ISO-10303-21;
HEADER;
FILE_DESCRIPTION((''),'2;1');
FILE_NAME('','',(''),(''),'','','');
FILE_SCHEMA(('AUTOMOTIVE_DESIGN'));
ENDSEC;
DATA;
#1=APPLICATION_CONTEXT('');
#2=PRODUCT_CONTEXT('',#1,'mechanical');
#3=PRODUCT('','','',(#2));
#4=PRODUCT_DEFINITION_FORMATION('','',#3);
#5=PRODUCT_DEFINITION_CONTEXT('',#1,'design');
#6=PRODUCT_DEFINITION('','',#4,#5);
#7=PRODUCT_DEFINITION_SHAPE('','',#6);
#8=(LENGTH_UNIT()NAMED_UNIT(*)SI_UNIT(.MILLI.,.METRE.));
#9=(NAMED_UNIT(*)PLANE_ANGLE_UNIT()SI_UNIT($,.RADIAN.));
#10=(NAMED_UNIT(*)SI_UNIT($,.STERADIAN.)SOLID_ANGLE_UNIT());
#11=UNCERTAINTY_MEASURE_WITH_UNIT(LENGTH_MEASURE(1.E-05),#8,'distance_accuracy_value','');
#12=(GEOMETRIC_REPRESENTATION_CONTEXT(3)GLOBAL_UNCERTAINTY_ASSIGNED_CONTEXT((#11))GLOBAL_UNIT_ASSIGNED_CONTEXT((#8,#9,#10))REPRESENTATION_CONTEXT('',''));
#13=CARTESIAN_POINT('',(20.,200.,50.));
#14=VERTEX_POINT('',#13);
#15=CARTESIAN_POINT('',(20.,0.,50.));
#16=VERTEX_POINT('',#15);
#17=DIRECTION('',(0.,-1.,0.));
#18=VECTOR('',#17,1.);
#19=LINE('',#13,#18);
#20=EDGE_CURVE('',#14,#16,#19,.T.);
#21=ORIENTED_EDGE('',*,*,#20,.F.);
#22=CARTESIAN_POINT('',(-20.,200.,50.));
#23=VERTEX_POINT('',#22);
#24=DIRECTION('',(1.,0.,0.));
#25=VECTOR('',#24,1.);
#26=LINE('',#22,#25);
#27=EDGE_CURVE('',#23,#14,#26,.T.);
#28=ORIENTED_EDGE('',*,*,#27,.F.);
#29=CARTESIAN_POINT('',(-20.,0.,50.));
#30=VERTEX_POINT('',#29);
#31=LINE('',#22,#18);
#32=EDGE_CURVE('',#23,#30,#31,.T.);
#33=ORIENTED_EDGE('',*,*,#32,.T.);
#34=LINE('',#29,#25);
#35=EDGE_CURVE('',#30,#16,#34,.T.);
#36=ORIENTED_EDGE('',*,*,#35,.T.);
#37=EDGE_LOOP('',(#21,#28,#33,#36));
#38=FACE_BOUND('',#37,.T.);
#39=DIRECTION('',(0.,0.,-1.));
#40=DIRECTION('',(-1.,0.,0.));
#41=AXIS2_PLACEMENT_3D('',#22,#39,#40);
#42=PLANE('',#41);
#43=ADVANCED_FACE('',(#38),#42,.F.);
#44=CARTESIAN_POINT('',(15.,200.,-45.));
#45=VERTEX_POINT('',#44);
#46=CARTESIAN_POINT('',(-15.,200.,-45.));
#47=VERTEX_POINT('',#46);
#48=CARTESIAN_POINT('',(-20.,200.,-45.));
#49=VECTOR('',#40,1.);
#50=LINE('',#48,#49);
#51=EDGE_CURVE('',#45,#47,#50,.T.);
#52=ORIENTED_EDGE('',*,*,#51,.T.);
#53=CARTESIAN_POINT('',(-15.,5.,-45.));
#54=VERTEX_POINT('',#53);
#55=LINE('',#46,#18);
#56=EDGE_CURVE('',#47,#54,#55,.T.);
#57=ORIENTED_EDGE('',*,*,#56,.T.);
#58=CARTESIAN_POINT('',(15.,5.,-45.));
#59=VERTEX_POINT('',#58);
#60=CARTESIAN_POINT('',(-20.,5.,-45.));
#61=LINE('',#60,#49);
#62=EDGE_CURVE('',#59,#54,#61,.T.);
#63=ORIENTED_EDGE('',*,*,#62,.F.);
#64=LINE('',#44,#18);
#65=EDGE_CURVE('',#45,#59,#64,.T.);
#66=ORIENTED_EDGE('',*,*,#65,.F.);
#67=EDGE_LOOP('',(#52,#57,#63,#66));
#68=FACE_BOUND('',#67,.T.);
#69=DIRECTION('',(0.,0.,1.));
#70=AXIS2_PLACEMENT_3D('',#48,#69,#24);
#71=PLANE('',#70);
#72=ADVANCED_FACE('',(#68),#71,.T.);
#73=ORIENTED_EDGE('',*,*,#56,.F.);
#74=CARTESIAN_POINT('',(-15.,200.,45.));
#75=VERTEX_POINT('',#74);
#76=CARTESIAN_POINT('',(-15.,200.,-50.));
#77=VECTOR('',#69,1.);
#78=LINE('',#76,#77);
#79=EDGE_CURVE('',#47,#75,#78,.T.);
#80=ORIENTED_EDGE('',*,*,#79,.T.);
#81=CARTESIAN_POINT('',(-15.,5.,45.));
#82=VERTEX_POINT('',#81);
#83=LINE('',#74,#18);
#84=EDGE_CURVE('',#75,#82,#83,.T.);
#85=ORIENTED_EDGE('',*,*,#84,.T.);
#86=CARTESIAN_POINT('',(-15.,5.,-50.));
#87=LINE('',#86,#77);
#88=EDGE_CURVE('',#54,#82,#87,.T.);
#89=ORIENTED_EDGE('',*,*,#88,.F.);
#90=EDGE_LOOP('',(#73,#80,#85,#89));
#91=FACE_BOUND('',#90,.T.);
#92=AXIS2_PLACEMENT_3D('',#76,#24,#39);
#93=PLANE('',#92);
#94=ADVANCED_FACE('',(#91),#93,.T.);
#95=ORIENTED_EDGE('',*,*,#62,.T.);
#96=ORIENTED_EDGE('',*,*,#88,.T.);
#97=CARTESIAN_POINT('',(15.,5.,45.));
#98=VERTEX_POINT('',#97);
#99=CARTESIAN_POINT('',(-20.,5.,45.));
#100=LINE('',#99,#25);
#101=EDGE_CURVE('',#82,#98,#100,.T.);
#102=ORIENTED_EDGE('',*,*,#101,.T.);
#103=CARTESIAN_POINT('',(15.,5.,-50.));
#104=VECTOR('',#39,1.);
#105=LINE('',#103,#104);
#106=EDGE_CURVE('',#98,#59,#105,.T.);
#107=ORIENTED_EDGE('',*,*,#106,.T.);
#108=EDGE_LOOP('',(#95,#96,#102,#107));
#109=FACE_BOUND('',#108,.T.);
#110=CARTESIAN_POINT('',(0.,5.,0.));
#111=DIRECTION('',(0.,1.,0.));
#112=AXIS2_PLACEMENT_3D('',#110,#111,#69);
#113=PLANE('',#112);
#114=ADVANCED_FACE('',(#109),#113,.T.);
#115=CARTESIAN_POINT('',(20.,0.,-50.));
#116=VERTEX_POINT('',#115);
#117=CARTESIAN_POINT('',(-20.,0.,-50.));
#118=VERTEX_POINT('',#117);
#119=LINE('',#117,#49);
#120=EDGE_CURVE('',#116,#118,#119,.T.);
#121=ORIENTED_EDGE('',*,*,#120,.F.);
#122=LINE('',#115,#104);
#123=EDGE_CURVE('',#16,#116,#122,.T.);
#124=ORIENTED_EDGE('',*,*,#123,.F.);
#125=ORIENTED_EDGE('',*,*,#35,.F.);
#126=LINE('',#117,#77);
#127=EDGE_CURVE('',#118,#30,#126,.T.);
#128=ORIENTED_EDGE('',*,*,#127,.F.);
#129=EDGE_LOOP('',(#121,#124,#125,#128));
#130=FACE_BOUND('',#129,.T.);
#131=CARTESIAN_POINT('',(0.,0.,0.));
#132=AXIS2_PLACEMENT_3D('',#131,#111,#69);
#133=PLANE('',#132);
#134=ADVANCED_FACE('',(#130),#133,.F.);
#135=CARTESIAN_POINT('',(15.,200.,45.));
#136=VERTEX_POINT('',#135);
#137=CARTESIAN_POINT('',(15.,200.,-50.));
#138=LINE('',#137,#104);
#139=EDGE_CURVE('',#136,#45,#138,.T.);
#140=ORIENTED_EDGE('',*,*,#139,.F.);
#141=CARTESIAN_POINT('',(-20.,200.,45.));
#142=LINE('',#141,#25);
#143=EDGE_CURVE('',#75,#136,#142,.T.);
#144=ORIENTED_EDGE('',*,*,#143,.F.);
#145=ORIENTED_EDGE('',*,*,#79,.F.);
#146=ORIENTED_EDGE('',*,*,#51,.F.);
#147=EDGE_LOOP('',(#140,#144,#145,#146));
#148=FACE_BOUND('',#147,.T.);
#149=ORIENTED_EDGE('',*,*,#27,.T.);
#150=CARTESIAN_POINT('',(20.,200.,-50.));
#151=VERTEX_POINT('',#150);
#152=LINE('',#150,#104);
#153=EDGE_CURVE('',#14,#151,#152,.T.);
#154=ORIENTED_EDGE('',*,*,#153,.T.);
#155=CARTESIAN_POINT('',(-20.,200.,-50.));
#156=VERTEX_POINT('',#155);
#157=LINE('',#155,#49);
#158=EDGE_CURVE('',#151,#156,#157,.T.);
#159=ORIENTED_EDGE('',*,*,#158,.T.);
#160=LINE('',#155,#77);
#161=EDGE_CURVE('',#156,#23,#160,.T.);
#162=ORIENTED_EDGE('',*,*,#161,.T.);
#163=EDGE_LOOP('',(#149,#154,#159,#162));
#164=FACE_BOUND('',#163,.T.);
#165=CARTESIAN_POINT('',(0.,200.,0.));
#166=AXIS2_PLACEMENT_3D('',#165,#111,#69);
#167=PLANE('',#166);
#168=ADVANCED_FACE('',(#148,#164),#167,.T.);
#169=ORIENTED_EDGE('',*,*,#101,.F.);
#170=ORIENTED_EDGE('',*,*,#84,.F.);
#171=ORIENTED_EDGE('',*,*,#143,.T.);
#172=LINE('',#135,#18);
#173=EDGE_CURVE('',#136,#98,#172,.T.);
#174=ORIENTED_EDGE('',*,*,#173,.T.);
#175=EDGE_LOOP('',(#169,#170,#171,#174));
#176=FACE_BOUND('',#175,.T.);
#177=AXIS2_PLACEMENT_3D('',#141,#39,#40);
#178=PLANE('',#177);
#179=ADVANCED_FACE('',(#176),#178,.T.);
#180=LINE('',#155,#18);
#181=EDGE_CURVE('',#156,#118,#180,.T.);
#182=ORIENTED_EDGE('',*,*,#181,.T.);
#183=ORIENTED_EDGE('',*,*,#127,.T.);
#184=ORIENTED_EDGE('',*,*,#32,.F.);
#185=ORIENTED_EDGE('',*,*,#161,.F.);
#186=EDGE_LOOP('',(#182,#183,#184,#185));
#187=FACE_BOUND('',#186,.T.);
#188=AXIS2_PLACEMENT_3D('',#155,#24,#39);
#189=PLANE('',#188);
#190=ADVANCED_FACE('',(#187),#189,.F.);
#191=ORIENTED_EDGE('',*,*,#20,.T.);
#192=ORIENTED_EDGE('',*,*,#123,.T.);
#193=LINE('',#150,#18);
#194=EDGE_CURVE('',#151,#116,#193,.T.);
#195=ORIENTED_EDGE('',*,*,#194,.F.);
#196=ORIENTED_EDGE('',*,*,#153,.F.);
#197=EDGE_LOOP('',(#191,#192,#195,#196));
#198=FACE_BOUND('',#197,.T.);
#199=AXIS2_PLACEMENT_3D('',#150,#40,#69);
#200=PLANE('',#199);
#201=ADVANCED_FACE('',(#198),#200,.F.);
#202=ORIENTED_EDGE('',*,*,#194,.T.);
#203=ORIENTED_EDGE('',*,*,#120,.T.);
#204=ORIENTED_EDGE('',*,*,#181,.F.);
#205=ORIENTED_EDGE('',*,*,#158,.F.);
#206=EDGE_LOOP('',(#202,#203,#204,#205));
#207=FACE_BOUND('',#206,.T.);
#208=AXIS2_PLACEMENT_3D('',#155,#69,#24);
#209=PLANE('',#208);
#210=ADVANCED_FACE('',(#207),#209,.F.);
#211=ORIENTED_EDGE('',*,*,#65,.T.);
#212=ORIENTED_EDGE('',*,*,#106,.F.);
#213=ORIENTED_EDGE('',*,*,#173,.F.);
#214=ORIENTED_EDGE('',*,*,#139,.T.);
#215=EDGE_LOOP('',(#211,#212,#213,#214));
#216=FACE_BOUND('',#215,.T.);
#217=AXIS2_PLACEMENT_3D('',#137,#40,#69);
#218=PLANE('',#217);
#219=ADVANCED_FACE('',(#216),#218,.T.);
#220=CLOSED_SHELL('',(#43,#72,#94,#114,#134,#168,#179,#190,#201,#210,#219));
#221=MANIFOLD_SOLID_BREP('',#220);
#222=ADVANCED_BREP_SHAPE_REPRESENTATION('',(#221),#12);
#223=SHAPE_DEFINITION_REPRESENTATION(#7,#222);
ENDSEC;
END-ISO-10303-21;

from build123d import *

# Parameters (mm, degrees)
SKETCH1_W           = 40
SKETCH1_H           = 100
BOSS_EXTRUDE1_DEPTH = 200
SHELL2_T            = -5


with BuildPart() as part:
    # Sketch1 → Boss-Extrude1 (new body)
    with BuildSketch(Plane(origin=(0, 0, 0), x_dir=(1, 0, 0), z_dir=(0, 1, 0))):
        Rectangle(SKETCH1_W, SKETCH1_H)
    extrude(amount=BOSS_EXTRUDE1_DEPTH)

    # Shell2
    shell2_openings = [part.faces().sort_by_distance(p)[0] for p in [
        (0, 200, 0),
    ]]
    offset(amount=SHELL2_T, openings=shell2_openings, kind=Kind.INTERSECTION)


solid = part.part
